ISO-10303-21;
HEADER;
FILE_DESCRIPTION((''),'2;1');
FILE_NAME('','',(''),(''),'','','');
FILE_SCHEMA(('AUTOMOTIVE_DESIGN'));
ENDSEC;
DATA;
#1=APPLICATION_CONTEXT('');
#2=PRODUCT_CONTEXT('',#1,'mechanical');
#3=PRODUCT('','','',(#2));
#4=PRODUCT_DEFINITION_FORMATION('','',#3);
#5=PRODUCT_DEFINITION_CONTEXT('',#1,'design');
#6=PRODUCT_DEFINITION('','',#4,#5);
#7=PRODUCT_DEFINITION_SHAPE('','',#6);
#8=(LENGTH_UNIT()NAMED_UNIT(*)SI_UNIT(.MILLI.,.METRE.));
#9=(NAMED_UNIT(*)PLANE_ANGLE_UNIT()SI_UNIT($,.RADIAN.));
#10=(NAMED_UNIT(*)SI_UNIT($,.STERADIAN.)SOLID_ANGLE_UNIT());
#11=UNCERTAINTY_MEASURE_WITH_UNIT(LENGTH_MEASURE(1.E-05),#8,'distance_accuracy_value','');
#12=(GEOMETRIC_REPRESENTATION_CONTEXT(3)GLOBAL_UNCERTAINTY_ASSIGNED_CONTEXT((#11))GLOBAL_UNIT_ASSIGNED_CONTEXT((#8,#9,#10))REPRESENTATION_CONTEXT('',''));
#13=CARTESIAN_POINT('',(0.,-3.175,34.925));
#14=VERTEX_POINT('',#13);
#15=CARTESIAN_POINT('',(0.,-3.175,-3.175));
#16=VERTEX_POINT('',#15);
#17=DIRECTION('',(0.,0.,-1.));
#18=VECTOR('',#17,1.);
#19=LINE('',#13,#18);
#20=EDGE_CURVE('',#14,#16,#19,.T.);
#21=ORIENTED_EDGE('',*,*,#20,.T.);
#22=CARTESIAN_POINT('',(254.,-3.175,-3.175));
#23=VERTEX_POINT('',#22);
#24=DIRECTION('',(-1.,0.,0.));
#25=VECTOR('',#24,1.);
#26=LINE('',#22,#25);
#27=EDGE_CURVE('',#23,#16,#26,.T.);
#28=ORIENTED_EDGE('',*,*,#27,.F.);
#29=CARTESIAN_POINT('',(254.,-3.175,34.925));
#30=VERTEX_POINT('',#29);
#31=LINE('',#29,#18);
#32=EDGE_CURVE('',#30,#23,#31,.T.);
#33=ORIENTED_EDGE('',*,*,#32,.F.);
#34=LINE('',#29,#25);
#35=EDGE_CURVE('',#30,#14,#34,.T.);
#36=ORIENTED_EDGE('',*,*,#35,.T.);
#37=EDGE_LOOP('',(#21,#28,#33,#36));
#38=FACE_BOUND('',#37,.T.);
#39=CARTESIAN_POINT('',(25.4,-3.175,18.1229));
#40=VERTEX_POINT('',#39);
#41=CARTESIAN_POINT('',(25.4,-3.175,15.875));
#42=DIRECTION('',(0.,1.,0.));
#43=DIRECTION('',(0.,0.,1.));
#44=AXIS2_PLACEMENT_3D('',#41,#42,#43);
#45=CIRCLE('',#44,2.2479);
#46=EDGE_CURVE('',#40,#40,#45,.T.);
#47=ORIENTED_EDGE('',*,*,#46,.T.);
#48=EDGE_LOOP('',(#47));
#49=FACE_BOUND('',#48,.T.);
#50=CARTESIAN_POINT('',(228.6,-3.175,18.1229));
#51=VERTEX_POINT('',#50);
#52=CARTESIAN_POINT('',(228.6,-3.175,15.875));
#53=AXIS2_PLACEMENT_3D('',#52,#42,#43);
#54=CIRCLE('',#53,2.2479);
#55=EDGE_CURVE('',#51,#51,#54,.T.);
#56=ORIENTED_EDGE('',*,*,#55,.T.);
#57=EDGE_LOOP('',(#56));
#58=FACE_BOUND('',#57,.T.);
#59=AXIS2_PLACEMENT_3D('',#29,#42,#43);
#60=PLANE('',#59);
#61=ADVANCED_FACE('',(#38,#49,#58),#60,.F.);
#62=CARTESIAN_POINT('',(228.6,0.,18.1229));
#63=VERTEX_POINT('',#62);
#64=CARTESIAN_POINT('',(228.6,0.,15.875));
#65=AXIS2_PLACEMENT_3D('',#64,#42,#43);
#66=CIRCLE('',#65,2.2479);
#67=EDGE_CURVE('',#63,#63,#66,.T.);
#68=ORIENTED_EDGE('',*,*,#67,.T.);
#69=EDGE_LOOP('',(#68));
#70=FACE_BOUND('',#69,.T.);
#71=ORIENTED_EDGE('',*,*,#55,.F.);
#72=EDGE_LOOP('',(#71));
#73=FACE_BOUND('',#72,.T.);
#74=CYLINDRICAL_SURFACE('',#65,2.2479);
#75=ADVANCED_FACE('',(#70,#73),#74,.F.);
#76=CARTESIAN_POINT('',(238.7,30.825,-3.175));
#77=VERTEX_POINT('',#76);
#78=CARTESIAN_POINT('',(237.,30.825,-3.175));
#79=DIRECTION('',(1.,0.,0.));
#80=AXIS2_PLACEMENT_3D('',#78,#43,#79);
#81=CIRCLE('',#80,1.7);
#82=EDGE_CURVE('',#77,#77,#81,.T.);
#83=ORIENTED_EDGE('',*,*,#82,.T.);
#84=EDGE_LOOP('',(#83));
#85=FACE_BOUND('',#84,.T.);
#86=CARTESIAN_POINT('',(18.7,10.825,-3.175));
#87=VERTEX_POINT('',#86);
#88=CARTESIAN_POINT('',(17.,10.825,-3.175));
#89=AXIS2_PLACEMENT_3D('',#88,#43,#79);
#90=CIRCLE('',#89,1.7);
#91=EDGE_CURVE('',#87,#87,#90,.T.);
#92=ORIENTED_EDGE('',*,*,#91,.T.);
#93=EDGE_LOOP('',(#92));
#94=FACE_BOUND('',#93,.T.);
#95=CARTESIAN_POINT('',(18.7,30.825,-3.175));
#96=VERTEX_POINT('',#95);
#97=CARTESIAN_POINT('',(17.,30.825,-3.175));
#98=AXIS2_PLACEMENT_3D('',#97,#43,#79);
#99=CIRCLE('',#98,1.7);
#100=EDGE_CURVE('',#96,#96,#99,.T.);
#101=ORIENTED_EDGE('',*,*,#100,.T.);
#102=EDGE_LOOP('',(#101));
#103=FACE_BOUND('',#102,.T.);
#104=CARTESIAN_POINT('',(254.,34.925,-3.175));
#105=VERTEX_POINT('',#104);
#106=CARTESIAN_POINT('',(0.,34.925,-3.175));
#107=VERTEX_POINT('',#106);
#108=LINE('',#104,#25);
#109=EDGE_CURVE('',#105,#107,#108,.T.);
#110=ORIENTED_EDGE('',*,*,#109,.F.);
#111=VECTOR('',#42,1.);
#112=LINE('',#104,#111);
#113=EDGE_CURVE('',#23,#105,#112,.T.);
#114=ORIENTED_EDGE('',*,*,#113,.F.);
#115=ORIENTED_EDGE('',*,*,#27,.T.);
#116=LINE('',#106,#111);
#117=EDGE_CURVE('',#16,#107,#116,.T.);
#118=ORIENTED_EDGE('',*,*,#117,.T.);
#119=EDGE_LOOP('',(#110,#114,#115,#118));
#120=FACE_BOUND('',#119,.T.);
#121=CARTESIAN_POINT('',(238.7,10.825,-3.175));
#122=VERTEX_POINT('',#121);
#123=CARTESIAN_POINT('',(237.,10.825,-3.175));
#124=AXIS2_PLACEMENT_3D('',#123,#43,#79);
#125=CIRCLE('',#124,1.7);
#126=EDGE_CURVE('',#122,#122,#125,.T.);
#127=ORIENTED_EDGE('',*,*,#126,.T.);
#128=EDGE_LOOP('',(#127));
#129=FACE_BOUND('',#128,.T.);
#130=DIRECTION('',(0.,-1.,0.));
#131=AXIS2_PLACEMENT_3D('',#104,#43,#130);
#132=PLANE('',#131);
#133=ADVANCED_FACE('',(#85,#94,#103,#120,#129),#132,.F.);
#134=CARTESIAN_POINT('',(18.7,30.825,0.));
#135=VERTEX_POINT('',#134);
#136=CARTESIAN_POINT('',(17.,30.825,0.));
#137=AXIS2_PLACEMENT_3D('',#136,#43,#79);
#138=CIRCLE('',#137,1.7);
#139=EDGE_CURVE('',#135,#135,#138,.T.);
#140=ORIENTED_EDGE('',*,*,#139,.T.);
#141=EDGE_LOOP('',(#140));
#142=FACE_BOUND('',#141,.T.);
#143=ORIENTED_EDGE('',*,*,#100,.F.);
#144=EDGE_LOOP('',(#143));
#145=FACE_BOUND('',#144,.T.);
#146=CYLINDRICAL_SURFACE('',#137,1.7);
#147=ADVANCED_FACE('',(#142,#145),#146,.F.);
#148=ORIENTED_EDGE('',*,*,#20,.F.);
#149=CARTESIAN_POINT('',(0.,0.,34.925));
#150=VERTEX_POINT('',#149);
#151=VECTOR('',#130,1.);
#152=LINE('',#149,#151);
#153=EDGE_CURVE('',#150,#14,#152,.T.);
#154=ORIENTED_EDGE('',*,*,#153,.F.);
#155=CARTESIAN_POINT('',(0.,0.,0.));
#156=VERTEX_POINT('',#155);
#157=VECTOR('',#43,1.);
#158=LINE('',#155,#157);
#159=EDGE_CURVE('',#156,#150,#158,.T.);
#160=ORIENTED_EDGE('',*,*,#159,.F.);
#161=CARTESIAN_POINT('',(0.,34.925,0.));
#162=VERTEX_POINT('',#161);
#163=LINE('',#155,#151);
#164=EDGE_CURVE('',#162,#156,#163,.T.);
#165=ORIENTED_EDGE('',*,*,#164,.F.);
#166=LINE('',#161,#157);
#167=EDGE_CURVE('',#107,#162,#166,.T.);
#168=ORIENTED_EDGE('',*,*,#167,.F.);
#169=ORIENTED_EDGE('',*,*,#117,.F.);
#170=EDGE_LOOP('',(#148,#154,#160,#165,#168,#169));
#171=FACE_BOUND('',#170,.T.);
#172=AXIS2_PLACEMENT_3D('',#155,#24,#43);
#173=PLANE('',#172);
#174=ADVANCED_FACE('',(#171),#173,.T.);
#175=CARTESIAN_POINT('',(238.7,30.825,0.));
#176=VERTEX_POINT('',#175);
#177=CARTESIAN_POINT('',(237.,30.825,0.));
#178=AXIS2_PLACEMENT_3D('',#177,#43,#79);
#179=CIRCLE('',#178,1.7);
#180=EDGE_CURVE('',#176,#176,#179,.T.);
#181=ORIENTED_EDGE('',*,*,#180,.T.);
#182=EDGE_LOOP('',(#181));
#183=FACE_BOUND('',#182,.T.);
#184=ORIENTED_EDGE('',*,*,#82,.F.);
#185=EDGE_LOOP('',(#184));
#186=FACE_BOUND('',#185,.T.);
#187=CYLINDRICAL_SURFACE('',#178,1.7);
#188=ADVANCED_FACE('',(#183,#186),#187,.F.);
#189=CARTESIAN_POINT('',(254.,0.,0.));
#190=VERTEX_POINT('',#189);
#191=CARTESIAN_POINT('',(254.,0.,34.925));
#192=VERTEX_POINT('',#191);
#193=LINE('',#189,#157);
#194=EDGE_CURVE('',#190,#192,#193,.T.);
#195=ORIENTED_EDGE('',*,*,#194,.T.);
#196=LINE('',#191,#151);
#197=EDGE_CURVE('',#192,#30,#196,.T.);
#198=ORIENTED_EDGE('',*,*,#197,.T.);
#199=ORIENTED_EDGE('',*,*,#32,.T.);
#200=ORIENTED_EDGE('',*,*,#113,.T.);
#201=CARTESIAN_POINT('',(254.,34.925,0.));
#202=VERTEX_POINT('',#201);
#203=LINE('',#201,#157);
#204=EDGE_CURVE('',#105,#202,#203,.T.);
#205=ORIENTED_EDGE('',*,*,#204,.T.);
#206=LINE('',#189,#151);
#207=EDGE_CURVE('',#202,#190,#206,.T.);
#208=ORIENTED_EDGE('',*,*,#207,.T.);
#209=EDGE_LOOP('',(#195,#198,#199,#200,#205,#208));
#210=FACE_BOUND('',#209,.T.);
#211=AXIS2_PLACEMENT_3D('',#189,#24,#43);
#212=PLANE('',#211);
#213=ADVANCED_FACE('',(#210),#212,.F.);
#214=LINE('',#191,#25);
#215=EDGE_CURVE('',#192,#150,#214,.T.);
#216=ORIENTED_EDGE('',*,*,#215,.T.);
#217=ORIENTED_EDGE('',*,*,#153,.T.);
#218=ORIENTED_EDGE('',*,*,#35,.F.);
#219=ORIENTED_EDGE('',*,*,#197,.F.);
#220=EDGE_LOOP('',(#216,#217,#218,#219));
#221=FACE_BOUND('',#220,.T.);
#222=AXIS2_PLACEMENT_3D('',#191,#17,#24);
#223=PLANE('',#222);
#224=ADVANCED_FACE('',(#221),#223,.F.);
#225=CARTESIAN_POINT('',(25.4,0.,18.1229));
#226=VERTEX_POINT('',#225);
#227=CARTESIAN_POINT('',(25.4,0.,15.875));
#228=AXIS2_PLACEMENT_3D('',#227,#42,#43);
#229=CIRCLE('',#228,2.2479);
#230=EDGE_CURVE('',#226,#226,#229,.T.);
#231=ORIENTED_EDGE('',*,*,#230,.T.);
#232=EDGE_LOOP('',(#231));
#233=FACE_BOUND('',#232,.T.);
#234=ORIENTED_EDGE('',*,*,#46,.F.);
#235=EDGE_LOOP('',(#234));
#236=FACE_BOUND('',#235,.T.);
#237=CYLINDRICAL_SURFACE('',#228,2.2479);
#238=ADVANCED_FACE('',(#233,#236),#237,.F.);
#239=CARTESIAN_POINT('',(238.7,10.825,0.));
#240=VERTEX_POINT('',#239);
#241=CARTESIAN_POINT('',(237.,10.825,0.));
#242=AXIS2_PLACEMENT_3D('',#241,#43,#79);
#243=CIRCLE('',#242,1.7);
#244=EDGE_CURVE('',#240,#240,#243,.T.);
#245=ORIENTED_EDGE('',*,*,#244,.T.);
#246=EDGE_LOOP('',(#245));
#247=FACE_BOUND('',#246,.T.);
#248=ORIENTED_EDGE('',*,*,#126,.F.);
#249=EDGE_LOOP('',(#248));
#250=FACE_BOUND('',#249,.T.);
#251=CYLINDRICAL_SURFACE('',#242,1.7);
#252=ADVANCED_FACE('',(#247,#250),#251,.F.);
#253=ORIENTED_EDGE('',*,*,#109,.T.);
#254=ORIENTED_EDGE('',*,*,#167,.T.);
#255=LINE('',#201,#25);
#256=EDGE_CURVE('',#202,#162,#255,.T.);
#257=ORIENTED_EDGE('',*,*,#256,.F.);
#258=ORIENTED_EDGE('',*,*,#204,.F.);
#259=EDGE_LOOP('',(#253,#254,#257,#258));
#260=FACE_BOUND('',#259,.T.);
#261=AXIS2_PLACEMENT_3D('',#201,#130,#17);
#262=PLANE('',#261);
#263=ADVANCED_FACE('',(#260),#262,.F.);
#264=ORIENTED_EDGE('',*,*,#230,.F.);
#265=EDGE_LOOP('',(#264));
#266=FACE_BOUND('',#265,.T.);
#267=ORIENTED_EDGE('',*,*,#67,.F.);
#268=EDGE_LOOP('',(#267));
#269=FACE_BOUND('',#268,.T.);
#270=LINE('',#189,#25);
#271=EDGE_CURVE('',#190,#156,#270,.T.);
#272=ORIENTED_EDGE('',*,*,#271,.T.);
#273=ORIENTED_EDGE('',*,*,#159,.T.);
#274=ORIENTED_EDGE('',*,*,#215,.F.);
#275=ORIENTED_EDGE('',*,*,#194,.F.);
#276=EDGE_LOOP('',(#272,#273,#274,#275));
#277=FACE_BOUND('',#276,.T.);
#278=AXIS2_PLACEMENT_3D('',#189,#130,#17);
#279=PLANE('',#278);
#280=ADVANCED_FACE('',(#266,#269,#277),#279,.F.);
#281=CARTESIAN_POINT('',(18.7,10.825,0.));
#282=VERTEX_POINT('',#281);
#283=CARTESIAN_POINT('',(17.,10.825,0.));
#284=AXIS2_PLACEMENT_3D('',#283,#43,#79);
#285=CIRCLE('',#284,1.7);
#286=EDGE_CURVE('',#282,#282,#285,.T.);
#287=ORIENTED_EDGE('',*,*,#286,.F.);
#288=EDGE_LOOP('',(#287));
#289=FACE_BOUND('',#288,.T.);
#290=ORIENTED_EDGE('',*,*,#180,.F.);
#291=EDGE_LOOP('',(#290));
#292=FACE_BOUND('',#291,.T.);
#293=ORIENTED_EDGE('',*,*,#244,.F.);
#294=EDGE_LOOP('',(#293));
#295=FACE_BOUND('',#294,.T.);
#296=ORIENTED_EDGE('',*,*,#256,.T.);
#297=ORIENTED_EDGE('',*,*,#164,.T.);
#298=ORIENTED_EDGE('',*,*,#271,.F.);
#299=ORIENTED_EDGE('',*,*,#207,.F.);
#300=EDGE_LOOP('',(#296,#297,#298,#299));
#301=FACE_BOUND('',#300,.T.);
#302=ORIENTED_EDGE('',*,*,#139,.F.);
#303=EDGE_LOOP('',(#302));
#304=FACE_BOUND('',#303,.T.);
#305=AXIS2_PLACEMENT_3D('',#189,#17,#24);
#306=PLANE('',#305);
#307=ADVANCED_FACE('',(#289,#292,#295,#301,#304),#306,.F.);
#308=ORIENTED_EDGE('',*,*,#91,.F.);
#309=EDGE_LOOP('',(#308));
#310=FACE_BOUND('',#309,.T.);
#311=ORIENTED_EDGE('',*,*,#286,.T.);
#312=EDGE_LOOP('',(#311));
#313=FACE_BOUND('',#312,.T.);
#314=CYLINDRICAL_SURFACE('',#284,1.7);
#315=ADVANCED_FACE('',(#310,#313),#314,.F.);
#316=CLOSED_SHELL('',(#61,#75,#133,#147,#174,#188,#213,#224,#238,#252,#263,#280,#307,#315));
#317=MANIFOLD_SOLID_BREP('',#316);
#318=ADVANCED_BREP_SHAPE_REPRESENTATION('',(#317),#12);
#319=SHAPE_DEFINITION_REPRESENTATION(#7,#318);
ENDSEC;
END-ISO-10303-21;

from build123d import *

# Parameters (mm, degrees)
BOSS_EXTRUDE1_DEPTH   = 254
M3_CLEARANCE_HOLE1_D  = 3.4
F_8_CLEARANCE_HOLE1_D = 4.4958


with BuildPart() as part:
    # Sketch1 → Boss-Extrude1 (new body)
    with BuildSketch(Plane(origin=(0, 0, 0), x_dir=(0, 0, -1), z_dir=(1, 0, 0))):
        Polygon((0, 0), (-34.925, 0), (-34.925, -3.175), (3.175, -3.175), (3.175, 34.925), (0, 34.925), align=None)
    extrude(amount=BOSS_EXTRUDE1_DEPTH)

    # M3 Clearance Hole1 (through all)
    with Locations(Plane.XY):
        with Locations((17, 30.825), (17, 10.825), (237, 10.825), (237, 30.825)):
            Hole(M3_CLEARANCE_HOLE1_D / 2)

    # #8 Clearance Hole1 (through all)
    with Locations(Plane(origin=(0, 0, 0), x_dir=(1, 0, 0), z_dir=(0, 1, 0))):
        with Locations((25.4, -15.875), (228.6, -15.875)):
            Hole(F_8_CLEARANCE_HOLE1_D / 2)


solid = part.part
